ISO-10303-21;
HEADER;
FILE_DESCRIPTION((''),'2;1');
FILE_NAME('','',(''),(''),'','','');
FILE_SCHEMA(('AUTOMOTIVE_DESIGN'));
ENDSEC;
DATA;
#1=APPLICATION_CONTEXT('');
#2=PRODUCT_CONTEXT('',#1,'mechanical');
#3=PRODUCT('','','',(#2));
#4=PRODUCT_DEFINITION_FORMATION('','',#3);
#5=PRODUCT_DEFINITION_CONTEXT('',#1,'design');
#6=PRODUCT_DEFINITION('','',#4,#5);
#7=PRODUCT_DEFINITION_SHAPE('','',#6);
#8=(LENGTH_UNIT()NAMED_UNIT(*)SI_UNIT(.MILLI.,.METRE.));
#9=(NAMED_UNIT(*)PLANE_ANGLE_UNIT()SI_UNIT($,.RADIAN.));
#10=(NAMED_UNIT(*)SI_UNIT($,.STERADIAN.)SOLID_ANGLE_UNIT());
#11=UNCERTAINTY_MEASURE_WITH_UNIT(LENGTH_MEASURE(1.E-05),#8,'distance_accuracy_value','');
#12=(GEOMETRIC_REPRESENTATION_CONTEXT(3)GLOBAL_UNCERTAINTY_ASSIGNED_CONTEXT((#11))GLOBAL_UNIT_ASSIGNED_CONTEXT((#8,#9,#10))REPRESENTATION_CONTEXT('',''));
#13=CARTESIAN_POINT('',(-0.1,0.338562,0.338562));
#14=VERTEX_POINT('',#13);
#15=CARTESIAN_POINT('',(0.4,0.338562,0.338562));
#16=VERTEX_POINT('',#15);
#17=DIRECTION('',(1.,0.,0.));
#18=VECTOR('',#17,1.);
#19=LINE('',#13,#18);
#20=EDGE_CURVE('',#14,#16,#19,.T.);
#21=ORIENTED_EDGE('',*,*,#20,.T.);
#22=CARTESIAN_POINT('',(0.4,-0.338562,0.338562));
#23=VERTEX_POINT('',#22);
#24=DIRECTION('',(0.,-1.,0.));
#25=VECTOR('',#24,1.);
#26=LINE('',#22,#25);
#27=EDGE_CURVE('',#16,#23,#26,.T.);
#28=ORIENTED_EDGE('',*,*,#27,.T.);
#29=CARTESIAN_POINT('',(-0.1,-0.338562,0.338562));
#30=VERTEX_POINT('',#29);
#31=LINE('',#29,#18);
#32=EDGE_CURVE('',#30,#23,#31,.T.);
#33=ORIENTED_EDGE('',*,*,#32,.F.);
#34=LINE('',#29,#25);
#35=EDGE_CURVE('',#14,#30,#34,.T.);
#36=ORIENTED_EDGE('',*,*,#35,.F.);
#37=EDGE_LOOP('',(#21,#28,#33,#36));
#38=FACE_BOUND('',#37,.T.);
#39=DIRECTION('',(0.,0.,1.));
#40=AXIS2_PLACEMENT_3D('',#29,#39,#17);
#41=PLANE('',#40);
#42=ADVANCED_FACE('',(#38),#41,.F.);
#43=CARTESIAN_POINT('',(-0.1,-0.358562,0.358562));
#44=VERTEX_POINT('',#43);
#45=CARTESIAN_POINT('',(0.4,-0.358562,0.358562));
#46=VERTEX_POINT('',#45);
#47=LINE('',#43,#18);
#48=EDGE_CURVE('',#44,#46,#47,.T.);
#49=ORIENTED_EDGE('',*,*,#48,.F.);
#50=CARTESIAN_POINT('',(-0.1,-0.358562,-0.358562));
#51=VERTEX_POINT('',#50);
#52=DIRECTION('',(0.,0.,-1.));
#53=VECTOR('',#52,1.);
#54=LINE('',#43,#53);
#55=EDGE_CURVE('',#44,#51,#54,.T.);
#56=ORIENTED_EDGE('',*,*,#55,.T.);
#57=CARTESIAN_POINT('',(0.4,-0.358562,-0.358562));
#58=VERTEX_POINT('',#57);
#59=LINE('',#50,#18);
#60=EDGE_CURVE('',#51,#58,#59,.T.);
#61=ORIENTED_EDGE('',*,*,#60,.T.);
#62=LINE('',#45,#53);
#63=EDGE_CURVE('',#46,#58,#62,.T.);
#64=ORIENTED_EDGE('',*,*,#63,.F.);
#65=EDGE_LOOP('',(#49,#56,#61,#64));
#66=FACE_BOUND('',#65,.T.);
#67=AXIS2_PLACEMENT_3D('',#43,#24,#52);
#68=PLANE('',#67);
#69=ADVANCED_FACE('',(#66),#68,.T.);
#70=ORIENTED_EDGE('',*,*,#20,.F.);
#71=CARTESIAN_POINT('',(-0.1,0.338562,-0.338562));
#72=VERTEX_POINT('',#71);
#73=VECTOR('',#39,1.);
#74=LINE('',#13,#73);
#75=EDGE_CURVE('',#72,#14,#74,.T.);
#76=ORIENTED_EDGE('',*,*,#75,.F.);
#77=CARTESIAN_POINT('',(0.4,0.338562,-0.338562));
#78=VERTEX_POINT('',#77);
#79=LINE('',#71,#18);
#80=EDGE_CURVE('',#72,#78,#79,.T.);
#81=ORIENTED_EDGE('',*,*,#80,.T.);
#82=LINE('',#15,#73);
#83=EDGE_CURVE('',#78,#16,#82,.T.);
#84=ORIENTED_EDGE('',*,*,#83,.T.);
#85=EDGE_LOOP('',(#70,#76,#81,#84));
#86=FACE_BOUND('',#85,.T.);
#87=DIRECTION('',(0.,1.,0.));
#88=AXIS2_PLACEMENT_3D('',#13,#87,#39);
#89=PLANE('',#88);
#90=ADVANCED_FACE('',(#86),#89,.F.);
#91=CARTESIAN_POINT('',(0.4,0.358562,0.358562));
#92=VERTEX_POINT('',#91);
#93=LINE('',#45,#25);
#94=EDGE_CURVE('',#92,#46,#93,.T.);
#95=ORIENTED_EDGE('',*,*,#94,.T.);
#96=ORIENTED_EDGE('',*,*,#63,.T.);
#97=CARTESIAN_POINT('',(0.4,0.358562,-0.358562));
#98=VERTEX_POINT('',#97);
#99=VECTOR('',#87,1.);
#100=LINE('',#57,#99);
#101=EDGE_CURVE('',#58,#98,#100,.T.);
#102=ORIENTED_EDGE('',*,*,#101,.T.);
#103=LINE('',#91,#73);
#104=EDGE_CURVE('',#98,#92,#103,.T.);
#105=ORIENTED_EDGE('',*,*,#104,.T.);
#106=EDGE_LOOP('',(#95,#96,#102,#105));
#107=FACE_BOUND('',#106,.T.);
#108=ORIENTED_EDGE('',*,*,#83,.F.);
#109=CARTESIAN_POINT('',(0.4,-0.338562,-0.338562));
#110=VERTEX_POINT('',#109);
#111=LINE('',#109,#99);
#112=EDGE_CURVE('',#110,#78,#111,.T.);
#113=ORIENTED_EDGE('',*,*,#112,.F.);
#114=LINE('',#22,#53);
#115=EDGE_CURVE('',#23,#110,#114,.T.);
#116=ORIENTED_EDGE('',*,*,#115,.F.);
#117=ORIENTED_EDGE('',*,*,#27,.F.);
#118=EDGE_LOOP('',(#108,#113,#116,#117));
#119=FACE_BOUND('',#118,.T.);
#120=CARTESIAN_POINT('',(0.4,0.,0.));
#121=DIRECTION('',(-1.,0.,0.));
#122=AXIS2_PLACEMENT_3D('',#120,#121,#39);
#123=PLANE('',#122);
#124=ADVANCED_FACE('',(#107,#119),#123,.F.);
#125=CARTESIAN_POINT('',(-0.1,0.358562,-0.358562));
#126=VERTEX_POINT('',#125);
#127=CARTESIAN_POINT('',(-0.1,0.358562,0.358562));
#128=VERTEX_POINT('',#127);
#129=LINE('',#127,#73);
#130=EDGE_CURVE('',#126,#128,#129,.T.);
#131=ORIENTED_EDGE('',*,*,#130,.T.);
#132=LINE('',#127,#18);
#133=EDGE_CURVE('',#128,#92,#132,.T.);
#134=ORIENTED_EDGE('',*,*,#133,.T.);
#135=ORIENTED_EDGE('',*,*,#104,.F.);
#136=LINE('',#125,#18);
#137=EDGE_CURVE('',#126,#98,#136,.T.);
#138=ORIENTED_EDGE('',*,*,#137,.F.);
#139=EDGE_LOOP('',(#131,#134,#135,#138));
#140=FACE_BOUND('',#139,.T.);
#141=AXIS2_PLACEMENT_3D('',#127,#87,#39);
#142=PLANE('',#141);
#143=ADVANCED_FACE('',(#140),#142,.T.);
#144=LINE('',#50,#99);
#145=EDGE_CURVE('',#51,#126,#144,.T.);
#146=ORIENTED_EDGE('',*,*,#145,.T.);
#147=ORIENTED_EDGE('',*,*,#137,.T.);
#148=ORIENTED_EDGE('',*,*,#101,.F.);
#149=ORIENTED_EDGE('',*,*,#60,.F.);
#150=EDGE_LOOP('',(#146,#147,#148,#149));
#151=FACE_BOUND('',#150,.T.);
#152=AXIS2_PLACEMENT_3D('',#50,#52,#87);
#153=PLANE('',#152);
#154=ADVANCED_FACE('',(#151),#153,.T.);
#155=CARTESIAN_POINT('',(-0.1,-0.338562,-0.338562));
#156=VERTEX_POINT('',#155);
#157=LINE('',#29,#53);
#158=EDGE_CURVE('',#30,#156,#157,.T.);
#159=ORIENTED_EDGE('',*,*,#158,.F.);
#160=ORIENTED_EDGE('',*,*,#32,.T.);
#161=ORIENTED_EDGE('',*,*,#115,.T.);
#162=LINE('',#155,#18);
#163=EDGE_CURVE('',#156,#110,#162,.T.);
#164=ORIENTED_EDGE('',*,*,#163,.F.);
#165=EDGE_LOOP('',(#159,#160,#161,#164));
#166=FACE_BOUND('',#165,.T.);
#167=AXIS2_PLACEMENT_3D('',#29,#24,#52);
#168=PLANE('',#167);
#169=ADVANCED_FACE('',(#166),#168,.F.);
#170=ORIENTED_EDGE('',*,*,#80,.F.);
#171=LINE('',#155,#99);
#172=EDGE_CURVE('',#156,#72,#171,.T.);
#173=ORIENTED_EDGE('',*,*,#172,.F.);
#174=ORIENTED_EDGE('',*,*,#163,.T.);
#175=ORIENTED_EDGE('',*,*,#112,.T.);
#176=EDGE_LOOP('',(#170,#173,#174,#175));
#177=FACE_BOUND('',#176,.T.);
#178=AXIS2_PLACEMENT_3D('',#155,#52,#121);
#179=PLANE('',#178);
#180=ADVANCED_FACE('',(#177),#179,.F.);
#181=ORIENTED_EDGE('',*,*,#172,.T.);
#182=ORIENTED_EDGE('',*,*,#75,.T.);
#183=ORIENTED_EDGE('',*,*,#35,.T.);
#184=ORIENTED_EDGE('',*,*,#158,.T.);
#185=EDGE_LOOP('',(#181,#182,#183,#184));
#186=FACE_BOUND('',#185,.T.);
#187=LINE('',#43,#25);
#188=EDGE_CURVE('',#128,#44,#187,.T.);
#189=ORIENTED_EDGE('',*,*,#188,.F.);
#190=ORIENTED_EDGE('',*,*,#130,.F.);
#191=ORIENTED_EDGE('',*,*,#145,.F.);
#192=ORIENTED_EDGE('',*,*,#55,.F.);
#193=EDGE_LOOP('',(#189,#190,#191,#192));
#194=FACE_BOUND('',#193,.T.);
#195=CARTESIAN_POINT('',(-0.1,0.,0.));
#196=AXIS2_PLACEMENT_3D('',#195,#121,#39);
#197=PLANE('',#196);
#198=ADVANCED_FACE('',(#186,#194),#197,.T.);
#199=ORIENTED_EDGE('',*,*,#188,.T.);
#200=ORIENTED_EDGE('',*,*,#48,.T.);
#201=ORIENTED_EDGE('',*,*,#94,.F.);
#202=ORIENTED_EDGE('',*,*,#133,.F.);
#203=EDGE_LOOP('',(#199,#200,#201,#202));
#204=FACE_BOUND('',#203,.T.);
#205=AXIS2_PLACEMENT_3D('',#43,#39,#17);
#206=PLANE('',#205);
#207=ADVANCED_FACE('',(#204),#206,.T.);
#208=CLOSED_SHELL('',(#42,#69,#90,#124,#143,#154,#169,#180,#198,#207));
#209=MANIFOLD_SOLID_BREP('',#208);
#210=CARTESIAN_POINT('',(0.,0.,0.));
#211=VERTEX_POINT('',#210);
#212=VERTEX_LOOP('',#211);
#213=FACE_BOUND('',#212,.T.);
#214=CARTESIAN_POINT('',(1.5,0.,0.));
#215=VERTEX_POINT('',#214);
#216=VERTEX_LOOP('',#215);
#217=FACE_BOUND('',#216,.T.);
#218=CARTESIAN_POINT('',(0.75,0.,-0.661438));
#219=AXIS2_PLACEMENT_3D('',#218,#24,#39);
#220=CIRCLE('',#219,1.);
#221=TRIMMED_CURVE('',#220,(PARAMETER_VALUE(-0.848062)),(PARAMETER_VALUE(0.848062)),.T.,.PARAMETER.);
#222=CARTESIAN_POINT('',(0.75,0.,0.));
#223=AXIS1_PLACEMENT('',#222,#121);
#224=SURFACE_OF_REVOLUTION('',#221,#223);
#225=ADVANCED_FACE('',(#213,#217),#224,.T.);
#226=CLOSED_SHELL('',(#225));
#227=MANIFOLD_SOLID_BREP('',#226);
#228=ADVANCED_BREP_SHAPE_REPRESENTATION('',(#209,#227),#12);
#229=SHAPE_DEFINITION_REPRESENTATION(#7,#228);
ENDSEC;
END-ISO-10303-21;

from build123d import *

# Parameters (mm, degrees)
BOSS_EXTRUDE1_DEPTH      = 0.4
BOSS_EXTRUDE1_DEPTH_BACK = 0.1
SKETCH2_W                = 0.717124344
SKETCH2_H                = 0.717124344
SKETCH2_W_2              = 0.677124344
SKETCH2_H_2              = 0.677124344


with BuildPart() as part:
    # Sketch1 → Revolve1 (revolve)
    with BuildSketch(Plane.XY):
        with BuildLine():
            Line((1.5, 0), (0, 0))
            ThreePointArc((0, 0), (0.75, 0.338562172), (1.5, 0))
        make_face()
    revolve(axis=Axis((0, 0, 0), (1, 0, 0)))


with BuildPart() as body_2:
    # Sketch2 → Boss-Extrude1 (new, two sides: drawn at the far end of the back side and taken through both)
    with BuildSketch(Plane(origin=(0, 0, 0), x_dir=(0, 0, -1), z_dir=(1, 0, 0)).offset(-BOSS_EXTRUDE1_DEPTH_BACK)):
        Rectangle(SKETCH2_W, SKETCH2_H)
        Rectangle(SKETCH2_W_2, SKETCH2_H_2, mode=Mode.SUBTRACT)
    extrude(amount=BOSS_EXTRUDE1_DEPTH + BOSS_EXTRUDE1_DEPTH_BACK)


solid = Compound([part.part, body_2.part])
